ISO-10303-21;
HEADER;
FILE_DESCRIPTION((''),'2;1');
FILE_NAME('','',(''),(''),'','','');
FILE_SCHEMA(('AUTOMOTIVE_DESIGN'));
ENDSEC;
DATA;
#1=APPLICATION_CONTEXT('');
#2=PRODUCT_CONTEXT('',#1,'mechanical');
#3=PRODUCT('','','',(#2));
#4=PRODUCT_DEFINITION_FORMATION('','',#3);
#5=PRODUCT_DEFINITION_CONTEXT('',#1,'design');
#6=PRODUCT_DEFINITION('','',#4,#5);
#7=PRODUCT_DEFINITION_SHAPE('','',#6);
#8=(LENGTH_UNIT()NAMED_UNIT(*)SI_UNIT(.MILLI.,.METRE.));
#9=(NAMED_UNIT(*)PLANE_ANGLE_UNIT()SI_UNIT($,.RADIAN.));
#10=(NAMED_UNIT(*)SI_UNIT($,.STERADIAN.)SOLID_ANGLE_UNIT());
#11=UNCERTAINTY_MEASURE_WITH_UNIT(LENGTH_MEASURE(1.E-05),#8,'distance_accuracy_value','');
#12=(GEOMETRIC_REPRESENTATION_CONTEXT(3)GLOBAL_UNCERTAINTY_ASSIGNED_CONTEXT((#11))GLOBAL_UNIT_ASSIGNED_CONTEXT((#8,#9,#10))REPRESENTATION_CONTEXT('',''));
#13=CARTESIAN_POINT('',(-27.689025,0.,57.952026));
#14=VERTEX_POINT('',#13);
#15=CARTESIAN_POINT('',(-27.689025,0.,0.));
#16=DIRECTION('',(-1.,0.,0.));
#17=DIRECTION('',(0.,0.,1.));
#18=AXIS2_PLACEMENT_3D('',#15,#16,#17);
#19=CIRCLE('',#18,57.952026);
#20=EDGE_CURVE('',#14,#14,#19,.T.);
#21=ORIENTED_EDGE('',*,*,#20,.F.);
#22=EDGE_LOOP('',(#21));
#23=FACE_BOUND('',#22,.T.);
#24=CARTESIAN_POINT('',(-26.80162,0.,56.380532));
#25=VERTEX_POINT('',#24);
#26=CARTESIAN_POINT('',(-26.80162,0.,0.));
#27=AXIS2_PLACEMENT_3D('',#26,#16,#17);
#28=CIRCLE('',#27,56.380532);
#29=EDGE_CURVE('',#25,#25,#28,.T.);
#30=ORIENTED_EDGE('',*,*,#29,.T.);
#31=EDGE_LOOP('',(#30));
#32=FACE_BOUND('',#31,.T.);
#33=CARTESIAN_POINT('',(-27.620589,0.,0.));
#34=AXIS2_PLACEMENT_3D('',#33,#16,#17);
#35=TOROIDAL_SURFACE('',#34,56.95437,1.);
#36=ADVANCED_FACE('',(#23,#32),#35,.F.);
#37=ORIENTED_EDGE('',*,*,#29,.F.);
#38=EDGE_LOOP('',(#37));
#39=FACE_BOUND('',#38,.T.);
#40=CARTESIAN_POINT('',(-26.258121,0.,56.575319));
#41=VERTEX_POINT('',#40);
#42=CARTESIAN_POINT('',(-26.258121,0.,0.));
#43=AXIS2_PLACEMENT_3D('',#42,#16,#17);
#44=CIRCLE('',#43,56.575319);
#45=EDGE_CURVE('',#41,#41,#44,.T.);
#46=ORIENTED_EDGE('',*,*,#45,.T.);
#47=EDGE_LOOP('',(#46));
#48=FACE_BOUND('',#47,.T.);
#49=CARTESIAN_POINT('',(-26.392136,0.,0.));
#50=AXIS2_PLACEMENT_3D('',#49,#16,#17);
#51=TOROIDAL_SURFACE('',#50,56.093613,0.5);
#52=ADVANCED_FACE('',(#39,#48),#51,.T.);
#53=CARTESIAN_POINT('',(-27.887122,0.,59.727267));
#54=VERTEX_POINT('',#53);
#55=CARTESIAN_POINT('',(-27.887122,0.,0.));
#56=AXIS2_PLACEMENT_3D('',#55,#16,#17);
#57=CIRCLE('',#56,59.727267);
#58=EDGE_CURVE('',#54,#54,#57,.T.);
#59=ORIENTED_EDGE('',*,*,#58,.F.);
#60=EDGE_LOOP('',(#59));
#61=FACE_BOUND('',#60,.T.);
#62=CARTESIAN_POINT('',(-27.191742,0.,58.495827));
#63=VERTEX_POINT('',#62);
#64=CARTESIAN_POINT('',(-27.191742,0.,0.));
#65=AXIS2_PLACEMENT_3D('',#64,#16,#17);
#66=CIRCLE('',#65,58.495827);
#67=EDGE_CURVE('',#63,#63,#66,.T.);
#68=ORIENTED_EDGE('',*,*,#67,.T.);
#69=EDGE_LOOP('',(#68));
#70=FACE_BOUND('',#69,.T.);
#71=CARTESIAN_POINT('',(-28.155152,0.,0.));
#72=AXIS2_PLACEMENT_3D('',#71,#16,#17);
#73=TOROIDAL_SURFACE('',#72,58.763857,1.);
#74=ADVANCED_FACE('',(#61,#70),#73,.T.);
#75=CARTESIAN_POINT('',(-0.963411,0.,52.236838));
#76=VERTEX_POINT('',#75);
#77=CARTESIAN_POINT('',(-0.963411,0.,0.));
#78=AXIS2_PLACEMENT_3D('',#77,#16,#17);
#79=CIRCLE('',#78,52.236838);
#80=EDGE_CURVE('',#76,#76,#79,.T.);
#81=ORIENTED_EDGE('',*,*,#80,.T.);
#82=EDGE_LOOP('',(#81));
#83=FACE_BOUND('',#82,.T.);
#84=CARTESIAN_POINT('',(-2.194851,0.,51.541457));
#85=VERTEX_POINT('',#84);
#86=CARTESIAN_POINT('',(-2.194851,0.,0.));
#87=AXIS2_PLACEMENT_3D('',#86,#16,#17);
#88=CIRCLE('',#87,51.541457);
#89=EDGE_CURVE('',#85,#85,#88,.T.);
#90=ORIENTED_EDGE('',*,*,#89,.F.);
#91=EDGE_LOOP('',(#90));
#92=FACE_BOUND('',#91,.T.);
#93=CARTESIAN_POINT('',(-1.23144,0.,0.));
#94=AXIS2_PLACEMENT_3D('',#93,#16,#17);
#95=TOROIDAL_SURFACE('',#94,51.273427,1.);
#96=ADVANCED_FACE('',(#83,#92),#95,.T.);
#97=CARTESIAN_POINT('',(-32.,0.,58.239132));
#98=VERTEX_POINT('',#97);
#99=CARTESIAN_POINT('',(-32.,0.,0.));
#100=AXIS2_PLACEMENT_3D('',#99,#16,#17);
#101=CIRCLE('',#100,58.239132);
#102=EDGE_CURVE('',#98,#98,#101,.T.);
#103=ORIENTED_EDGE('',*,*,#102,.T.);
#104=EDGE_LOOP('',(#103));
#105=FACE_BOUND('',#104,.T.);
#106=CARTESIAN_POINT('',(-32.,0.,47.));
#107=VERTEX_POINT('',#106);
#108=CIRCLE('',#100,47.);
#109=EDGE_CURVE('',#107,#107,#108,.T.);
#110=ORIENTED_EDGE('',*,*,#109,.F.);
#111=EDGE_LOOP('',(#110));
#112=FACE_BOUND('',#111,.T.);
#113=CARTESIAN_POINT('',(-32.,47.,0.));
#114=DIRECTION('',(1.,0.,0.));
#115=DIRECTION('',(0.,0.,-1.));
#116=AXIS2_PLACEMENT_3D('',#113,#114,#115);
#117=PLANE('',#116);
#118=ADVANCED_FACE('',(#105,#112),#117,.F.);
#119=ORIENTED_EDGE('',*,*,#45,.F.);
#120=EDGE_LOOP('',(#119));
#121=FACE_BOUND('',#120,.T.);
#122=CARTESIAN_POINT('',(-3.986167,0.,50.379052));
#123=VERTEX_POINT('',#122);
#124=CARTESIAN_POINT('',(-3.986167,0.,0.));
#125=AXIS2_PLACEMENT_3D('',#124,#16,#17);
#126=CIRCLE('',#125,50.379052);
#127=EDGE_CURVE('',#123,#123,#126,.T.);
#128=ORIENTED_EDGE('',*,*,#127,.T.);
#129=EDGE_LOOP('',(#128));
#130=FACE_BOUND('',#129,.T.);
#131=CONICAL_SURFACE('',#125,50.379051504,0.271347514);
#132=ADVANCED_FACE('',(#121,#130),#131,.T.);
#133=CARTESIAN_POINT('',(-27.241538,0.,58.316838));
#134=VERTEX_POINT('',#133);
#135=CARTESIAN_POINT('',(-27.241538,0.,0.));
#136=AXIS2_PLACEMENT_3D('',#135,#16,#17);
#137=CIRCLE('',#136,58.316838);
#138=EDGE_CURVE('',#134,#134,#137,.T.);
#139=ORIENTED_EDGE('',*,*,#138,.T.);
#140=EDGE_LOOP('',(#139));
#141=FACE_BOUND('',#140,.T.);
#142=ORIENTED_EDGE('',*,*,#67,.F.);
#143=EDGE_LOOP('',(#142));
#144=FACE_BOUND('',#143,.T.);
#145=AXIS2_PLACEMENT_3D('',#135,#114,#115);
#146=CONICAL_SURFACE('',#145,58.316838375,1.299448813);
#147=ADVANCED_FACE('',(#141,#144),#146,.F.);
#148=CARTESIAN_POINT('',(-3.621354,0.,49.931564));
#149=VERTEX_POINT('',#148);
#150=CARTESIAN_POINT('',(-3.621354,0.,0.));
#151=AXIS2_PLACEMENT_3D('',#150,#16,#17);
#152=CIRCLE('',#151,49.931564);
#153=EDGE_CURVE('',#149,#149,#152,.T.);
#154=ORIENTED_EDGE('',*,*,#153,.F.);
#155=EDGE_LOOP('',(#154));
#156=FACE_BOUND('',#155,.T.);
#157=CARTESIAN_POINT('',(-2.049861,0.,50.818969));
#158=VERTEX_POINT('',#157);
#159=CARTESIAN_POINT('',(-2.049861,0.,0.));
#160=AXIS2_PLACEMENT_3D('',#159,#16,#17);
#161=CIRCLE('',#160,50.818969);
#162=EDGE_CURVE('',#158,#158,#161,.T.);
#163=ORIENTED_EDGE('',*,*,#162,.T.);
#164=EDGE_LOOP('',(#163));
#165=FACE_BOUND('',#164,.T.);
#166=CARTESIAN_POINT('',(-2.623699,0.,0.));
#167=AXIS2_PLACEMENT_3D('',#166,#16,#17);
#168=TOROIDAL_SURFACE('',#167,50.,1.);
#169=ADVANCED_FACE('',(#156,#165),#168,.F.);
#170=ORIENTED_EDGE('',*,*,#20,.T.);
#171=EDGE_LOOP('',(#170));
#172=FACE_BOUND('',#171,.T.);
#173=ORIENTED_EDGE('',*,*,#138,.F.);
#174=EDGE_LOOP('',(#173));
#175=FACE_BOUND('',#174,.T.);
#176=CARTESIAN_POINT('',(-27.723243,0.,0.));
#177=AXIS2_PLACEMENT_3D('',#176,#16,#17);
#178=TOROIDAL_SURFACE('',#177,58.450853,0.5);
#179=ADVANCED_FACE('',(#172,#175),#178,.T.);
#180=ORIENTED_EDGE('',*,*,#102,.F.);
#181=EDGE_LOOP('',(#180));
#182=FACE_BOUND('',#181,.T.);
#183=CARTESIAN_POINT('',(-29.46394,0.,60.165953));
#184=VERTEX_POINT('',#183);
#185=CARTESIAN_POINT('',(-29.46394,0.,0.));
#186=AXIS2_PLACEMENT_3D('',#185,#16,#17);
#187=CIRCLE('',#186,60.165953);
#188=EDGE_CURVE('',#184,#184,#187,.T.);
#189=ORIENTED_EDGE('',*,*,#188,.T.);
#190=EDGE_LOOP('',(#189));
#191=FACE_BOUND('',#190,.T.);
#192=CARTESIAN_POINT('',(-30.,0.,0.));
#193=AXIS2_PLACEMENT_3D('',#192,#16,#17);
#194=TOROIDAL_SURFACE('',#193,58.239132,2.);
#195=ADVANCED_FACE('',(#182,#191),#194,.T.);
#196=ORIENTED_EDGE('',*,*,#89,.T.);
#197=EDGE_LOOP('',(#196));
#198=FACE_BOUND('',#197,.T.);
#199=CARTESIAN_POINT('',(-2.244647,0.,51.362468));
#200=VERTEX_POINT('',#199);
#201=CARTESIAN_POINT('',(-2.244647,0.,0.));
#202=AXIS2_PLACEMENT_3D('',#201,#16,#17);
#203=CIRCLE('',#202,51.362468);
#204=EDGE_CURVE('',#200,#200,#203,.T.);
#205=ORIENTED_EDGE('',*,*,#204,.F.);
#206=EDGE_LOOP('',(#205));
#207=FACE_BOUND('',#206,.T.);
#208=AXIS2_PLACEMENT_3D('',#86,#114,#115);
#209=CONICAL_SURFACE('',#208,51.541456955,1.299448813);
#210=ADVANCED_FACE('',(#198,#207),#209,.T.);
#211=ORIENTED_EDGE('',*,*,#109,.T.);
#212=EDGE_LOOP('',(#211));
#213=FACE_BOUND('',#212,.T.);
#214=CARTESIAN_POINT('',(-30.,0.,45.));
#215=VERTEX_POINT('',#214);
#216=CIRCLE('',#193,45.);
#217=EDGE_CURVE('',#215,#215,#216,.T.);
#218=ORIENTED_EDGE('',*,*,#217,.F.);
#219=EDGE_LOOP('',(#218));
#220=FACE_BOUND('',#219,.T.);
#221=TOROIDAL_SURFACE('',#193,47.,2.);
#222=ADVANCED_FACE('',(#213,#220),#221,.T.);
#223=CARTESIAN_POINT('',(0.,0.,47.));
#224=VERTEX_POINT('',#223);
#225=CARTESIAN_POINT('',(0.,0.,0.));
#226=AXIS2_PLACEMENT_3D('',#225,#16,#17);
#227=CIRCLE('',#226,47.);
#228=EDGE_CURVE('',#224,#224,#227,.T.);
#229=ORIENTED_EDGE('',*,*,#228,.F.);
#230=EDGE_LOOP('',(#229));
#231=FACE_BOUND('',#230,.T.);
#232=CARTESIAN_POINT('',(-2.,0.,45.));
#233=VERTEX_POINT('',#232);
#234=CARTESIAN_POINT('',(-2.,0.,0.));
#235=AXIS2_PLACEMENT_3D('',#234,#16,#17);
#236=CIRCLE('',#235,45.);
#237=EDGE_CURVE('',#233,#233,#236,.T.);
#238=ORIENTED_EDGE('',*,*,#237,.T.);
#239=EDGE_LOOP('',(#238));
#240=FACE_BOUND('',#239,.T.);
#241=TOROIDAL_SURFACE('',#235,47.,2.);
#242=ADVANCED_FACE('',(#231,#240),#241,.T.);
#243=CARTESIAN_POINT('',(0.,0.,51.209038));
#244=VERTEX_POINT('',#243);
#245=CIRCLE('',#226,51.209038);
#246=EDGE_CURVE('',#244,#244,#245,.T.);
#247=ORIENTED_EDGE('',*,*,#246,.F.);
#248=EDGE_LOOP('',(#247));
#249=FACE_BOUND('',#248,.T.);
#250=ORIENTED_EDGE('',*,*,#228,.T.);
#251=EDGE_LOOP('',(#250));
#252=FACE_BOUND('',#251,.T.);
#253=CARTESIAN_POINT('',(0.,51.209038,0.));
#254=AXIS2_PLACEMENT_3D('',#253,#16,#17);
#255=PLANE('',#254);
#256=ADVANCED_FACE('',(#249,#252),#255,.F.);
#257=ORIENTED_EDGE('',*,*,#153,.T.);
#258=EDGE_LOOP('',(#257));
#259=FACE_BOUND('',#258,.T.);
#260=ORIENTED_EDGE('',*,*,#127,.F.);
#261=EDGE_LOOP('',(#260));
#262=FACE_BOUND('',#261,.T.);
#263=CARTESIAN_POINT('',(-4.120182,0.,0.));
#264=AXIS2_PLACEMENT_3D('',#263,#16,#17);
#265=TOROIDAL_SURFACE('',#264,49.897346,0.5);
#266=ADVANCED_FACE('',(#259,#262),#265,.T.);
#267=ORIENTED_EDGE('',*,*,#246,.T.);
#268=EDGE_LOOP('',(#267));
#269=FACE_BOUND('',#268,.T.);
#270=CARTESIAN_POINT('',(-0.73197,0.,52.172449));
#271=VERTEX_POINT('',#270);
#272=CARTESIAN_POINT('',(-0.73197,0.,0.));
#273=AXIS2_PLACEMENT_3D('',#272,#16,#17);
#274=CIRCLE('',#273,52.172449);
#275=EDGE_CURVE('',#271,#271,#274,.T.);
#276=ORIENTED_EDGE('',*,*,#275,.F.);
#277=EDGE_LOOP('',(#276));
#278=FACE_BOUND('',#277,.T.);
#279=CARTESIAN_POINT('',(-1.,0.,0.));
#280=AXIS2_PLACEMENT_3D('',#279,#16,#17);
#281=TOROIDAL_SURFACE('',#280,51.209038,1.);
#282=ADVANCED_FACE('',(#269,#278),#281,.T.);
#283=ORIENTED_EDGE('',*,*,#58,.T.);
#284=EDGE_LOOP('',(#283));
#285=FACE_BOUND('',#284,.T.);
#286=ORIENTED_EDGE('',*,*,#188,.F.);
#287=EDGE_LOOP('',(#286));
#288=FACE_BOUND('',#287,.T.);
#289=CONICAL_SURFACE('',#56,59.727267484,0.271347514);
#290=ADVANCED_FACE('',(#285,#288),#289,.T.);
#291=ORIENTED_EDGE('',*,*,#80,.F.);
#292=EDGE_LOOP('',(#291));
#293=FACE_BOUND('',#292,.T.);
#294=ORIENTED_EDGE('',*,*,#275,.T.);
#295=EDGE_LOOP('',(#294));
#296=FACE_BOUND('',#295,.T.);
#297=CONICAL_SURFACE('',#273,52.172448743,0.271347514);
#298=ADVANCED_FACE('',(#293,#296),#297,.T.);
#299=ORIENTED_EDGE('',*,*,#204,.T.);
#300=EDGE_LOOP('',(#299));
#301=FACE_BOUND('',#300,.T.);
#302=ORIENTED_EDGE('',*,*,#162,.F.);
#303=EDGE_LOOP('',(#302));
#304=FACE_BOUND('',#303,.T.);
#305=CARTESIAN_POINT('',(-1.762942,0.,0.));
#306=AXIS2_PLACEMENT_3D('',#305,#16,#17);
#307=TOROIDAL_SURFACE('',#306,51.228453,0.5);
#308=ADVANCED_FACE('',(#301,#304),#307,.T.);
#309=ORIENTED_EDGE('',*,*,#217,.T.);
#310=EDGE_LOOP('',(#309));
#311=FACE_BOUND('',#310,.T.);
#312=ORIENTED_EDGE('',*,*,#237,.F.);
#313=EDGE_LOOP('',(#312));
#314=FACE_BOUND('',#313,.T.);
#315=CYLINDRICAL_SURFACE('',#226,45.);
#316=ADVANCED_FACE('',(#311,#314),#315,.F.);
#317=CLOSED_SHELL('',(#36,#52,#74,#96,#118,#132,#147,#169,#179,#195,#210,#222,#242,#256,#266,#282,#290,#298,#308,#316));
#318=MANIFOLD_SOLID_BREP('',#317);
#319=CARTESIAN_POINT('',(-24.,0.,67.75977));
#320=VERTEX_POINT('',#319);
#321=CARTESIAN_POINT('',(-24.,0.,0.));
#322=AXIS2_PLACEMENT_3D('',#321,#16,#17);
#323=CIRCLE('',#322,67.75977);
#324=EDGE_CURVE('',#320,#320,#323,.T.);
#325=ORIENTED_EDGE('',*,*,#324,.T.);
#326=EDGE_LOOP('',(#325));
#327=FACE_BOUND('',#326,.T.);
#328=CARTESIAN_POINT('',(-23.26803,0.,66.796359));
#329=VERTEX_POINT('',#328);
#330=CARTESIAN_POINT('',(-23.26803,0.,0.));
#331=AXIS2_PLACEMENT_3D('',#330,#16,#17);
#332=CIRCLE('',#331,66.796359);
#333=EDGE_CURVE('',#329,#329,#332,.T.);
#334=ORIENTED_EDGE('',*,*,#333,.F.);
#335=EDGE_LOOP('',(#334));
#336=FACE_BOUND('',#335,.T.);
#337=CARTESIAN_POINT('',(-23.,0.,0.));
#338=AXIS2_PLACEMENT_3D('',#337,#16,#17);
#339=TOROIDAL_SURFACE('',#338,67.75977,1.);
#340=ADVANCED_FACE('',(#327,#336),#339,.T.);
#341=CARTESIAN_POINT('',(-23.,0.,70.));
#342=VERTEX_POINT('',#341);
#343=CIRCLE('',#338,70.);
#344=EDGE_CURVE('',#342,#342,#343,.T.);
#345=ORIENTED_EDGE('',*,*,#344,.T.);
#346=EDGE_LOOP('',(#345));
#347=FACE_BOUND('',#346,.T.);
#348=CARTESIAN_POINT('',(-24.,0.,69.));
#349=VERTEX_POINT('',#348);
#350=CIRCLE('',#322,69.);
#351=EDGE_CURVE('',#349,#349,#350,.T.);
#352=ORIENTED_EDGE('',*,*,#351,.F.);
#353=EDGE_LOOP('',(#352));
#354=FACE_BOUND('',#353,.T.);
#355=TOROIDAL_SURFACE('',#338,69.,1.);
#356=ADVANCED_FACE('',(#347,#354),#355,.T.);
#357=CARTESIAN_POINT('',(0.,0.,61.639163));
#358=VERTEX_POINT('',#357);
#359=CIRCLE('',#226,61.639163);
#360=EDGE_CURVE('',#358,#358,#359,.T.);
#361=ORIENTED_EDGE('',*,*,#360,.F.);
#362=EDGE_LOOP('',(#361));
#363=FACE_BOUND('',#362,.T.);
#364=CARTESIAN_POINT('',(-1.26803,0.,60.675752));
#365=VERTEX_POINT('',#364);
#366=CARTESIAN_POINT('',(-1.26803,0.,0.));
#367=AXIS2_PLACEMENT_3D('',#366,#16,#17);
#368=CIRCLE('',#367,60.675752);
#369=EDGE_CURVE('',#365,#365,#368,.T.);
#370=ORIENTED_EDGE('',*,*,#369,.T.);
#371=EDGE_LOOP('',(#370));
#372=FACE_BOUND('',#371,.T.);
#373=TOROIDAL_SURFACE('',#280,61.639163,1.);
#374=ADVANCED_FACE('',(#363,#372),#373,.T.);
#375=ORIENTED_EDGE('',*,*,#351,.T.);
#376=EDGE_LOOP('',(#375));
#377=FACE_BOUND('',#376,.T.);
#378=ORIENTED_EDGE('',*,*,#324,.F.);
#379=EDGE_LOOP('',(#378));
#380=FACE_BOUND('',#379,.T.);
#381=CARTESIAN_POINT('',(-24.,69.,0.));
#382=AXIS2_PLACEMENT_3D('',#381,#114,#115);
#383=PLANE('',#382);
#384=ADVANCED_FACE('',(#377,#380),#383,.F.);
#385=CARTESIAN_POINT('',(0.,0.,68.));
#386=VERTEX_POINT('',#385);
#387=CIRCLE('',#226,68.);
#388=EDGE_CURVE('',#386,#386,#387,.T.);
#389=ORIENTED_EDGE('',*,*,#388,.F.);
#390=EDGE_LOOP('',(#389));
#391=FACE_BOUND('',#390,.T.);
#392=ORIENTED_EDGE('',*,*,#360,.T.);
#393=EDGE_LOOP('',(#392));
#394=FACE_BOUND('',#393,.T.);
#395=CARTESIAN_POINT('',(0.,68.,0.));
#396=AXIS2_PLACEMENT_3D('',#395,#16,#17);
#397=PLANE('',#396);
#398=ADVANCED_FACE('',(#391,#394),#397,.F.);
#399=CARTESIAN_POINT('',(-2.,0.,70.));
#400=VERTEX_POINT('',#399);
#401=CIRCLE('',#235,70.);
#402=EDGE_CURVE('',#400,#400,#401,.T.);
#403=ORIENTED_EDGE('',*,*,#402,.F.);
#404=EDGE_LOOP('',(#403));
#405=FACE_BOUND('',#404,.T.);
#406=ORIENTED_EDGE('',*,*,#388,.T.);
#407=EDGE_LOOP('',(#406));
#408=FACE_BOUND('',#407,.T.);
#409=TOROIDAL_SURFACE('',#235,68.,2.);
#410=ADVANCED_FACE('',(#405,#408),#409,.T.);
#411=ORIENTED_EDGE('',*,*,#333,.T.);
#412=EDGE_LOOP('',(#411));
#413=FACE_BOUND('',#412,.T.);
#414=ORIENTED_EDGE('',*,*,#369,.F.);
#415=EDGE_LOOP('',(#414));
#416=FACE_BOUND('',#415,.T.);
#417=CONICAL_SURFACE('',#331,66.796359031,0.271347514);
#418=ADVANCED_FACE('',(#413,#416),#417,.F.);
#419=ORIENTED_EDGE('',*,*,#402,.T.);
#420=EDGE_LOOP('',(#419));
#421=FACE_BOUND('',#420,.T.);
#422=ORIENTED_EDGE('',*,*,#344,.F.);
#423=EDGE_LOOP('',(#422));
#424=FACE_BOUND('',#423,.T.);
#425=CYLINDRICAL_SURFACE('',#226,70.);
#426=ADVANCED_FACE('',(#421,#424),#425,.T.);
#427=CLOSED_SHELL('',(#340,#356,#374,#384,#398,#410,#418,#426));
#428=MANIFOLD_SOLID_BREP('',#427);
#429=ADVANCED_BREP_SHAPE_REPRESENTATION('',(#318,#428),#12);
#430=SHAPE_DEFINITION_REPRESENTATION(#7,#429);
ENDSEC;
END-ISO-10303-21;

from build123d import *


with BuildPart() as part:
    # Sketch1 → Revolve1 (revolve)
    with BuildSketch(Plane.XY, mode=Mode.PRIVATE) as revolve1_sk:
        with BuildLine():
            Line((0, 68), (0, 61.639162714))
            ThreePointArc((0, 61.639162714), (-0.395033013, 60.84291216), (-1.268029889, 60.675752116))
            Line((-1.268029889, 60.675752116), (-23.268029889, 66.796359031))
            ThreePointArc((-23.268029889, 66.796359031), (-23.796250554, 67.154802641), (-24, 67.759769628))
            Line((-24, 67.759769628), (-24, 69))
            ThreePointArc((-24, 69), (-23.707106781, 69.707106781), (-23, 70))
            Line((-23, 70), (-2, 70))
            ThreePointArc((-2, 70), (-0.585786438, 69.414213562), (0, 68))
        make_face()
        with BuildLine():
            Line((-26.258121089, 56.575318538), (-3.986167238, 50.379051504))
            ThreePointArc((-3.986167238, 50.379051504), (-3.732646755, 50.213283371), (-3.621354424, 49.931564137))
            ThreePointArc((-3.621354424, 49.931564137), (-2.131990492, 49.129240082), (-2.049861037, 50.818968925))
            ThreePointArc((-2.049861037, 50.818968925), (-2.233626397, 51.059763448), (-2.244647402, 51.362468332))
            Line((-2.244647402, 51.362468332), (-2.194851083, 51.541456955))
            ThreePointArc((-2.194851083, 51.541456955), (-1.7231489, 52.144186985), (-0.963410597, 52.236837663))
            Line((-0.963410597, 52.236837663), (-0.731970111, 52.172448743))
            ThreePointArc((-0.731970111, 52.172448743), (-0.203749446, 51.814005133), (0, 51.209038146))
            Line((0, 51.209038146), (0, 47))
            ThreePointArc((0, 47), (-0.585786438, 45.585786438), (-2, 45))
            Line((-2, 45), (-30, 45))
            ThreePointArc((-30, 45), (-31.414213562, 45.585786438), (-32, 47))
            Line((-32, 47), (-32, 58.239131864))
            ThreePointArc((-32, 58.239131864), (-31.209933974, 59.831632972), (-29.463940222, 60.165953058))
            Line((-29.463940222, 60.165953058), (-27.887122307, 59.727267484))
            ThreePointArc((-27.887122307, 59.727267484), (-27.284392277, 59.255565301), (-27.191741599, 58.495826997))
            Line((-27.191741599, 58.495826997), (-27.241537917, 58.316838375))
            ThreePointArc((-27.241537917, 58.316838375), (-27.407306051, 58.063317891), (-27.689025284, 57.95202556))
            ThreePointArc((-27.689025284, 57.95202556), (-28.49134934, 56.462661628), (-26.801620496, 56.380532173))
            ThreePointArc((-26.801620496, 56.380532173), (-26.560825973, 56.564297533), (-26.258121089, 56.575318538))
        make_face()
    revolve(revolve1_sk.sketch.rotate(Axis((0, 0, 0), (1, 0, 0)), 90), axis=Axis((0, 0, 0), (1, 0, 0)))


solid = part.part
